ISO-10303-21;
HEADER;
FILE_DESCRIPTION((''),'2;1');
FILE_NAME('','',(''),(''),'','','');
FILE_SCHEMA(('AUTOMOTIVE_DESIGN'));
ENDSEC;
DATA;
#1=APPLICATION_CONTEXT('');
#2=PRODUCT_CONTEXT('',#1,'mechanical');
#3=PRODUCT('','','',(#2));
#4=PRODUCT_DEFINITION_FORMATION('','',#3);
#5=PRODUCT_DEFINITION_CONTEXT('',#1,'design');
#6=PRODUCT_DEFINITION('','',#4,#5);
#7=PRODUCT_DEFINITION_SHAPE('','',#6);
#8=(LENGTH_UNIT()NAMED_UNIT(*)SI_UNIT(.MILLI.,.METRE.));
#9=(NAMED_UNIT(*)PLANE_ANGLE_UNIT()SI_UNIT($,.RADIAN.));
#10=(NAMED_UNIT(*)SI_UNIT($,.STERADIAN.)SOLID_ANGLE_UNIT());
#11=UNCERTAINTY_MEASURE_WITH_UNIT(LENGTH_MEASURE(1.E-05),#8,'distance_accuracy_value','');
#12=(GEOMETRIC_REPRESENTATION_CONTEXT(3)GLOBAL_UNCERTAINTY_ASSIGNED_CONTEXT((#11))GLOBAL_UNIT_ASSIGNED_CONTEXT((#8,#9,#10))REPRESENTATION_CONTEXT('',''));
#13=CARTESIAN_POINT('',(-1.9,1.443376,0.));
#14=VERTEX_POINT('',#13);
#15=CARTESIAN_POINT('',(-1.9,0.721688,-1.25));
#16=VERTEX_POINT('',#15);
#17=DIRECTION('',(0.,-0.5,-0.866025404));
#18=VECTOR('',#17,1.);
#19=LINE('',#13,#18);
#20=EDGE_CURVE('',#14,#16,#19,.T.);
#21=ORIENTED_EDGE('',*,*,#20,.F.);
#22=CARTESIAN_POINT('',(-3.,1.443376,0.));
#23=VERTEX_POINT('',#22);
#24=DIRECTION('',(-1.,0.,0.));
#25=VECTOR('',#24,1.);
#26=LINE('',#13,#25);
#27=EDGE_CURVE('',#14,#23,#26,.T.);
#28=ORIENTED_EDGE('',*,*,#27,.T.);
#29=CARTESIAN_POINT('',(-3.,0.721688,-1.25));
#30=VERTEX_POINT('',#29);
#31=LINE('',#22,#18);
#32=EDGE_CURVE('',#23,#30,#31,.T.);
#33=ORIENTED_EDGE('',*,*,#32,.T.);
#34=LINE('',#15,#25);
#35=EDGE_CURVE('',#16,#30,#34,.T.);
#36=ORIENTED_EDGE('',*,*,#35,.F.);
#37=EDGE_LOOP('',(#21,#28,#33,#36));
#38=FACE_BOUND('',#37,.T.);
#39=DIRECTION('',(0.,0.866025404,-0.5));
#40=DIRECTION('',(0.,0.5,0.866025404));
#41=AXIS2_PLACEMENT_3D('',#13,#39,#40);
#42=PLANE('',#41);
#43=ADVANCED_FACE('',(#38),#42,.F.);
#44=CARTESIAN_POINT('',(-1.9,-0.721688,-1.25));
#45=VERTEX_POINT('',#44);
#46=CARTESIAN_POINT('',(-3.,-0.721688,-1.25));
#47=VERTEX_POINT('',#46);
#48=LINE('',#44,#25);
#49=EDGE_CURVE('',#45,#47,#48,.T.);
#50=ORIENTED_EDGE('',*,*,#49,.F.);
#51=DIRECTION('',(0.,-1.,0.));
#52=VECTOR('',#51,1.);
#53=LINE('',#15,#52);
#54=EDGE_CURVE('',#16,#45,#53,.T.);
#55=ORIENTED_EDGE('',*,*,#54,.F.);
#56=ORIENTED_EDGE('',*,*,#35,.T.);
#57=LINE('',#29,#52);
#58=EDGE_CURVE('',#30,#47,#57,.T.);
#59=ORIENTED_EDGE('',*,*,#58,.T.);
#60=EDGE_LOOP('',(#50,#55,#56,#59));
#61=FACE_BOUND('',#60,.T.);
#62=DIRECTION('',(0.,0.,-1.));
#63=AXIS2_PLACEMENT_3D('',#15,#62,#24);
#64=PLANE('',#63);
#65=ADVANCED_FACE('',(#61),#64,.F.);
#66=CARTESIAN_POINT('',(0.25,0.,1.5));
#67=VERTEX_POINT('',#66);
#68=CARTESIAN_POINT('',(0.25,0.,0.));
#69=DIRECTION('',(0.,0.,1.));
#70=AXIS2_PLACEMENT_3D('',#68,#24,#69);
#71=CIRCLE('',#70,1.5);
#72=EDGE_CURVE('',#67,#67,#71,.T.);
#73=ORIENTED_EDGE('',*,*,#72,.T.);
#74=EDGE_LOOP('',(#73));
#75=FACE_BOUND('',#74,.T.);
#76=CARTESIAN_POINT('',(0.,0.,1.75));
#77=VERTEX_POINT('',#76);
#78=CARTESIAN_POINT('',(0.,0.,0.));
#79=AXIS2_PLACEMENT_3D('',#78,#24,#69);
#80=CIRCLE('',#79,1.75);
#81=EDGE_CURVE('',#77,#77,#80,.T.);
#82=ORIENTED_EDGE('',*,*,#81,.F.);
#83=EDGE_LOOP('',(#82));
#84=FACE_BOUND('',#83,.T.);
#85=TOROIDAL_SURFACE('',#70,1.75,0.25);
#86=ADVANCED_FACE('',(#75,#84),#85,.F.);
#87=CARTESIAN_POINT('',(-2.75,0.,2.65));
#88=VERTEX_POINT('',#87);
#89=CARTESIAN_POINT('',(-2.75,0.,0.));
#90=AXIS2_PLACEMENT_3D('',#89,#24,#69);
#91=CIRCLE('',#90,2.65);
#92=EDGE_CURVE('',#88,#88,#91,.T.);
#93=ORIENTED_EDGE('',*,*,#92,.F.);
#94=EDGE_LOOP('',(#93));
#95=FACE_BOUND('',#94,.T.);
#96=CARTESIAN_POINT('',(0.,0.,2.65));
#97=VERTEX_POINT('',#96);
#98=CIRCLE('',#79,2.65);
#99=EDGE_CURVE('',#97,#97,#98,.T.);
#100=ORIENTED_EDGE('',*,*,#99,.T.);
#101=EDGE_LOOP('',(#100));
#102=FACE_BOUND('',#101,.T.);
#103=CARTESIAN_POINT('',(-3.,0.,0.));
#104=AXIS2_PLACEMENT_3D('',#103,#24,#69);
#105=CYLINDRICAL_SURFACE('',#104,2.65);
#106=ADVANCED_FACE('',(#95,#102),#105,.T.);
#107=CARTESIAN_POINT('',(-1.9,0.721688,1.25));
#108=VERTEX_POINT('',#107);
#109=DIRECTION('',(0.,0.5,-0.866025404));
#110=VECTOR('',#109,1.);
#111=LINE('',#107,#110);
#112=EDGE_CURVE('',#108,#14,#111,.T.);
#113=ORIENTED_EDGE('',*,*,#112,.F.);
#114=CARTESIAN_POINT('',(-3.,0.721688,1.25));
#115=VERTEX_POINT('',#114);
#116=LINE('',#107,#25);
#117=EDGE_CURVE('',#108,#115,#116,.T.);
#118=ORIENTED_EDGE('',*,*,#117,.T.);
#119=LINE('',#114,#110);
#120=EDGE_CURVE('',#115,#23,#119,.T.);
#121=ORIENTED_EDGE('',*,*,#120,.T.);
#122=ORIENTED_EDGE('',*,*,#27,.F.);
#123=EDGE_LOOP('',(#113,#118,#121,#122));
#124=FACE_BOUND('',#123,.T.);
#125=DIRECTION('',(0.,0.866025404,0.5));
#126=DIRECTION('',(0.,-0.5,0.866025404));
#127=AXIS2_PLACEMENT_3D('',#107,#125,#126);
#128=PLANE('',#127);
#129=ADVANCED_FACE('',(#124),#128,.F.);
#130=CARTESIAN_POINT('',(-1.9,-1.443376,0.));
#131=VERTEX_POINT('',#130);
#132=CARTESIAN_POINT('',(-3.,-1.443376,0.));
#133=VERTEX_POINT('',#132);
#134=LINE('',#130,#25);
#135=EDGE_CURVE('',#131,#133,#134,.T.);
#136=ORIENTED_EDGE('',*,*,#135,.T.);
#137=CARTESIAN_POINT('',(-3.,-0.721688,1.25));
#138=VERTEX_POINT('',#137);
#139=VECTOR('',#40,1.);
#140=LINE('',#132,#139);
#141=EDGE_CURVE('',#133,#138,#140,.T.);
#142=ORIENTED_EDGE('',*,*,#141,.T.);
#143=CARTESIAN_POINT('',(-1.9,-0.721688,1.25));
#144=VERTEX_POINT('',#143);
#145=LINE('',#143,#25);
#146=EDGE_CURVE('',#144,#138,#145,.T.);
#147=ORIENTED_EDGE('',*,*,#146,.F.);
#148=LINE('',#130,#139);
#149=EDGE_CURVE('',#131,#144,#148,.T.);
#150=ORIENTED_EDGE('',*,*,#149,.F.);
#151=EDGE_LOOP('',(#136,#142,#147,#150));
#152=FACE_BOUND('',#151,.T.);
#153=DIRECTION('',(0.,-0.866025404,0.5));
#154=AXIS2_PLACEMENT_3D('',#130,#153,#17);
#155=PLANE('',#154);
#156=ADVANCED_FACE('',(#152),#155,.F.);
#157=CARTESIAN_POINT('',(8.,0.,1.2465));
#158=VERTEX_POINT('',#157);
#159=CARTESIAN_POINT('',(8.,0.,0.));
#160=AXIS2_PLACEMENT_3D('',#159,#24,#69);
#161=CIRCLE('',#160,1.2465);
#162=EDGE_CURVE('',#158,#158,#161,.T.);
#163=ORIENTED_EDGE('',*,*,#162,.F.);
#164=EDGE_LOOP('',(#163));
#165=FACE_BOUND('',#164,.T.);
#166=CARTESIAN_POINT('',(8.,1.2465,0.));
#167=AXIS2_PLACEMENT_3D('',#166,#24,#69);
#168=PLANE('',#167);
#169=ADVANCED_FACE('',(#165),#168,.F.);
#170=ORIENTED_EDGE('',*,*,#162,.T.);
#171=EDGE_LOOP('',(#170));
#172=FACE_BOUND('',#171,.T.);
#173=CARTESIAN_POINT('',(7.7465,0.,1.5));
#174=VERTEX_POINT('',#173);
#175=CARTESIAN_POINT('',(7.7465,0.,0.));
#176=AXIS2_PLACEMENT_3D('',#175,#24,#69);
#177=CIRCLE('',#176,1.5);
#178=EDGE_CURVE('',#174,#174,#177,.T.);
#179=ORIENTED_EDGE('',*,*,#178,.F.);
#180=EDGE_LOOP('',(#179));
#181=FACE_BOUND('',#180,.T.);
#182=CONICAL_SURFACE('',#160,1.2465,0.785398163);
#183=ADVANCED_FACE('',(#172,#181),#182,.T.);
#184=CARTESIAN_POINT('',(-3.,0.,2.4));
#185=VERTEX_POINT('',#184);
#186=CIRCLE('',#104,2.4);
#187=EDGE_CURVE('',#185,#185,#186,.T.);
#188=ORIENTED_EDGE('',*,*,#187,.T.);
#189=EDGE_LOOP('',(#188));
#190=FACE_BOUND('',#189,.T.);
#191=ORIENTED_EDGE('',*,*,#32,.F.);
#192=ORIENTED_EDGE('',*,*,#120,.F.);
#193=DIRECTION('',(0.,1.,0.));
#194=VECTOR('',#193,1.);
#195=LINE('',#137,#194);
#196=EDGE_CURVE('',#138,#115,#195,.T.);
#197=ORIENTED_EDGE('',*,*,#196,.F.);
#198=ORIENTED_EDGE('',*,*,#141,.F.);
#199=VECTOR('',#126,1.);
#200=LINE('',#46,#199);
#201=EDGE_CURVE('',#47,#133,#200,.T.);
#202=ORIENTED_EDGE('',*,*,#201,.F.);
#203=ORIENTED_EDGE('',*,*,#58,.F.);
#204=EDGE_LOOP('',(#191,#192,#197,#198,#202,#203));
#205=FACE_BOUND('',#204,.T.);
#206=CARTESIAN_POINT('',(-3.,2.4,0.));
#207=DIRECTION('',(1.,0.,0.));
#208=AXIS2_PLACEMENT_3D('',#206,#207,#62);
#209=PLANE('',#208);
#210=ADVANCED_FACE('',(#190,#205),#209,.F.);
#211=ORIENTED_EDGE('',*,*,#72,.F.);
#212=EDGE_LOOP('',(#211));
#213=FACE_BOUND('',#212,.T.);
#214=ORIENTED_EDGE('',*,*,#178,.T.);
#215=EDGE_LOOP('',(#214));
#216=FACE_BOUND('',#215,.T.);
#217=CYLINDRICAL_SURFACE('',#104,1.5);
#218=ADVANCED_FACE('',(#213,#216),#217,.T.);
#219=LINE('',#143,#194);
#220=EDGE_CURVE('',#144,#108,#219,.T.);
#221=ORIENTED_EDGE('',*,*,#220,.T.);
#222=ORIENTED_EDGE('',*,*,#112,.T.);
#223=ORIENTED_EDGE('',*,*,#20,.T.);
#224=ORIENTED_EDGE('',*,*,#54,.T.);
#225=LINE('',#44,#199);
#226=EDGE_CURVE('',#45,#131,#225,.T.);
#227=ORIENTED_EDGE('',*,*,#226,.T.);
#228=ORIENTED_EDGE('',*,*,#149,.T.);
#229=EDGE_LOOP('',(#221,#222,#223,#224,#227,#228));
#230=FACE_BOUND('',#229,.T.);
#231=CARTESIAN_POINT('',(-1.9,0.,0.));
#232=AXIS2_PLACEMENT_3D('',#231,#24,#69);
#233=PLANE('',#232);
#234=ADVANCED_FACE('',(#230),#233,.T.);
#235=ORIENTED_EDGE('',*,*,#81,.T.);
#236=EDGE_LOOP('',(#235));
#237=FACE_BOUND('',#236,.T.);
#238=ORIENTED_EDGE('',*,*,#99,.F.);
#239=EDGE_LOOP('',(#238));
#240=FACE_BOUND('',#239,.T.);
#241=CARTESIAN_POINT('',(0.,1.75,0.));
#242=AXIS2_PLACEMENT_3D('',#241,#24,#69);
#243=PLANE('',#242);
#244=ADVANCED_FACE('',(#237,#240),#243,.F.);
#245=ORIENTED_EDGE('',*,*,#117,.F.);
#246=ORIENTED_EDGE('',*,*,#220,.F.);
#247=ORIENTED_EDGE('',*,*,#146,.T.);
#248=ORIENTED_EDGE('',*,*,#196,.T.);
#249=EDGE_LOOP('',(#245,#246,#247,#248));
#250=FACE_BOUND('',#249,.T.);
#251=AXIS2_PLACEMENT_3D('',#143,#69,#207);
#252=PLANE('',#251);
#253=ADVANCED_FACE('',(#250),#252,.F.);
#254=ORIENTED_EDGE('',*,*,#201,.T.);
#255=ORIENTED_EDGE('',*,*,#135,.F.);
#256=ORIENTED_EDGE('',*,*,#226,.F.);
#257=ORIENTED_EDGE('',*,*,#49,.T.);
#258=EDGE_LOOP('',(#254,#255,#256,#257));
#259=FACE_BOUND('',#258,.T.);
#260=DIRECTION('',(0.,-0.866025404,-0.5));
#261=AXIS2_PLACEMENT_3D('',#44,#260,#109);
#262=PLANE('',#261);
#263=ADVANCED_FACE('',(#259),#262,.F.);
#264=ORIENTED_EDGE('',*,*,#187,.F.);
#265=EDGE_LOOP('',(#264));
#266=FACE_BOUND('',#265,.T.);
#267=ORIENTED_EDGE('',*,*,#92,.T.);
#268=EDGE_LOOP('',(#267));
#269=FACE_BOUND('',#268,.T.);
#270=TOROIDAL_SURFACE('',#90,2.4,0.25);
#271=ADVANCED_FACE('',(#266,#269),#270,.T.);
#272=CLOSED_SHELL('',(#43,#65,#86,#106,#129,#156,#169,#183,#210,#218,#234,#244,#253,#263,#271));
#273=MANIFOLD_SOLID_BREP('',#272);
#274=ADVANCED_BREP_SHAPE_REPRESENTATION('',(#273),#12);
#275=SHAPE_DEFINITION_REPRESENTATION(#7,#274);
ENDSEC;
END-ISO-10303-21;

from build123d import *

# Parameters (mm, degrees)
CUT_EXTRUDE1_DEPTH = 1.1


with BuildPart() as part:
    # Sketch1 → Revolve1 (revolve)
    with BuildSketch(Plane.XY):
        with BuildLine():
            Line((7.7465, 1.5), (0.25, 1.5))
            ThreePointArc((0.25, 1.5), (0.073223305, 1.573223305), (0, 1.75))
            Line((0, 1.75), (0, 2.65))
            Line((0, 2.65), (-2.75, 2.65))
            ThreePointArc((-2.75, 2.65), (-2.926776695, 2.576776695), (-3, 2.4))
            Line((-3, 2.4), (-3, 0))
            Line((-3, 0), (8, 0))
            Line((8, 0), (8, 1.2465))
            Line((8, 1.2465), (7.7465, 1.5))
        make_face()
    revolve(axis=Axis((-3, 0, 0), (1, 0, 0)))

    # Sketch2 → Cut-Extrude1 (cut)
    with BuildSketch(Plane.ZY.offset(3)):
        Polygon((1.25, 0.721687836), (0, 1.443375673), (-1.25, 0.721687836), (-1.25, -0.721687836), (0, -1.443375673), (1.25, -0.721687836), align=None)
    extrude(amount=-CUT_EXTRUDE1_DEPTH, mode=Mode.SUBTRACT)


solid = part.part
